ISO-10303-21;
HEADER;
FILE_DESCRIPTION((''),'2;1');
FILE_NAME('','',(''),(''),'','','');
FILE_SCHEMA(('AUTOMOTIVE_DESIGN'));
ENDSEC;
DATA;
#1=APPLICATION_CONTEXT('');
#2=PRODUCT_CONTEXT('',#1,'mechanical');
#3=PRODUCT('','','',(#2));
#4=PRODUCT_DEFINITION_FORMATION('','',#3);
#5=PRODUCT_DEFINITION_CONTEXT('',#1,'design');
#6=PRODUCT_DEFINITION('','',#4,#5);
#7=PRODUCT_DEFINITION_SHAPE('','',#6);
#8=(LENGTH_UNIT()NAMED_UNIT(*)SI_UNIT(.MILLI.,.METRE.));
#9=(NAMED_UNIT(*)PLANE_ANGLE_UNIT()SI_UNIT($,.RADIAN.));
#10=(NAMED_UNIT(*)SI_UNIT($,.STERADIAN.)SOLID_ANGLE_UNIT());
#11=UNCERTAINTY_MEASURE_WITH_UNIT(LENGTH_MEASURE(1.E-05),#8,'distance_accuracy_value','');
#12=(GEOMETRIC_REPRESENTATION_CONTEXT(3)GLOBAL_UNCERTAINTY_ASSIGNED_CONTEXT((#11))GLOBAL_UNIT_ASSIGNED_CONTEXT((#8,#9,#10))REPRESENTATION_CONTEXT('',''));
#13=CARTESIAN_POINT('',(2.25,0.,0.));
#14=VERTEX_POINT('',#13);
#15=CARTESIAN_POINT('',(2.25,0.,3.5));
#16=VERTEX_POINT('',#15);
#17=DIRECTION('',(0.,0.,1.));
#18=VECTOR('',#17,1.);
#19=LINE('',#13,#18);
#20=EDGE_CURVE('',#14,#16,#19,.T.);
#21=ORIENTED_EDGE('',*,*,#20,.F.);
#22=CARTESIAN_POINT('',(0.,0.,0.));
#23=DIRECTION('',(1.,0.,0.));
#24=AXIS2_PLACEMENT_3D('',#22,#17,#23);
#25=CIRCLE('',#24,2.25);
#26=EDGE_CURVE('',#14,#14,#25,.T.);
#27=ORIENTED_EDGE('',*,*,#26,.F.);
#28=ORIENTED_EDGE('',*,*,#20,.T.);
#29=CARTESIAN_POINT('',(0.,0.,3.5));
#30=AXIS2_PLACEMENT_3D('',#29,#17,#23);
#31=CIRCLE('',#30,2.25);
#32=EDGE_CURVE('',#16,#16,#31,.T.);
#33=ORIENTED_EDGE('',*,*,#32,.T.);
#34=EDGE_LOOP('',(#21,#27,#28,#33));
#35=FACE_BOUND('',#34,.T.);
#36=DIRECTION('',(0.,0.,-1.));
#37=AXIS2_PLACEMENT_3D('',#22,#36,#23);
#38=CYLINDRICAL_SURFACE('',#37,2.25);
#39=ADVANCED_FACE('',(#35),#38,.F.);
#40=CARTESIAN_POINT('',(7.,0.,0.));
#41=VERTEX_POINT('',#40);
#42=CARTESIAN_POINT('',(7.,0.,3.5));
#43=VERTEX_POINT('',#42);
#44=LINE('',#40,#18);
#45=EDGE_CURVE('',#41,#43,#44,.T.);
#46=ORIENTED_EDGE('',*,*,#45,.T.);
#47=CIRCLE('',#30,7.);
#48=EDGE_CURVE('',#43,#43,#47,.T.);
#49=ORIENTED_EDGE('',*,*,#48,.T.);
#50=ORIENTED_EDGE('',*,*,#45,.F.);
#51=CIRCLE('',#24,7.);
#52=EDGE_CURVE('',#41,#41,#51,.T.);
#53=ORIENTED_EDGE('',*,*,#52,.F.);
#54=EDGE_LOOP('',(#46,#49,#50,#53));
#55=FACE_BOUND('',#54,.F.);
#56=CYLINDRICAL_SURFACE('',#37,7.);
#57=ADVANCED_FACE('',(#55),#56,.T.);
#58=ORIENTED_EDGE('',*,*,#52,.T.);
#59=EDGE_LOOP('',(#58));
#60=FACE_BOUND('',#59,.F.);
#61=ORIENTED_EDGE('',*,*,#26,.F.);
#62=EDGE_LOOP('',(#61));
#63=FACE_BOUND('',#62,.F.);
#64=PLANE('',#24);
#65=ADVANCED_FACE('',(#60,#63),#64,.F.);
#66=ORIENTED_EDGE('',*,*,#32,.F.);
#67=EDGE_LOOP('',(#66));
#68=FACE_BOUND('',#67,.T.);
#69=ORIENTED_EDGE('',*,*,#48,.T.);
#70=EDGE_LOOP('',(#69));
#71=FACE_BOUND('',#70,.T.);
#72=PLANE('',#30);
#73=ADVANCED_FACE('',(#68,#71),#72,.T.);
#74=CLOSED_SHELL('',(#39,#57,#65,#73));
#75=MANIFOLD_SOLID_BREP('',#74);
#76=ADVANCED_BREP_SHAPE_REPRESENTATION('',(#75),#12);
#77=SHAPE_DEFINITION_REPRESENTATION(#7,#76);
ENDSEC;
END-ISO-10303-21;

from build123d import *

# Parameters (mm, degrees)
SKETCH_R   = 7
SKETCH_R_2 = 2.25
PAD_DEPTH  = 3.5


with BuildPart() as part:
    # Sketch → Pad (new body)
    with BuildSketch(Plane.XY):
        Circle(SKETCH_R)
        Circle(SKETCH_R_2, mode=Mode.SUBTRACT)
    extrude(amount=PAD_DEPTH)


solid = part.part
